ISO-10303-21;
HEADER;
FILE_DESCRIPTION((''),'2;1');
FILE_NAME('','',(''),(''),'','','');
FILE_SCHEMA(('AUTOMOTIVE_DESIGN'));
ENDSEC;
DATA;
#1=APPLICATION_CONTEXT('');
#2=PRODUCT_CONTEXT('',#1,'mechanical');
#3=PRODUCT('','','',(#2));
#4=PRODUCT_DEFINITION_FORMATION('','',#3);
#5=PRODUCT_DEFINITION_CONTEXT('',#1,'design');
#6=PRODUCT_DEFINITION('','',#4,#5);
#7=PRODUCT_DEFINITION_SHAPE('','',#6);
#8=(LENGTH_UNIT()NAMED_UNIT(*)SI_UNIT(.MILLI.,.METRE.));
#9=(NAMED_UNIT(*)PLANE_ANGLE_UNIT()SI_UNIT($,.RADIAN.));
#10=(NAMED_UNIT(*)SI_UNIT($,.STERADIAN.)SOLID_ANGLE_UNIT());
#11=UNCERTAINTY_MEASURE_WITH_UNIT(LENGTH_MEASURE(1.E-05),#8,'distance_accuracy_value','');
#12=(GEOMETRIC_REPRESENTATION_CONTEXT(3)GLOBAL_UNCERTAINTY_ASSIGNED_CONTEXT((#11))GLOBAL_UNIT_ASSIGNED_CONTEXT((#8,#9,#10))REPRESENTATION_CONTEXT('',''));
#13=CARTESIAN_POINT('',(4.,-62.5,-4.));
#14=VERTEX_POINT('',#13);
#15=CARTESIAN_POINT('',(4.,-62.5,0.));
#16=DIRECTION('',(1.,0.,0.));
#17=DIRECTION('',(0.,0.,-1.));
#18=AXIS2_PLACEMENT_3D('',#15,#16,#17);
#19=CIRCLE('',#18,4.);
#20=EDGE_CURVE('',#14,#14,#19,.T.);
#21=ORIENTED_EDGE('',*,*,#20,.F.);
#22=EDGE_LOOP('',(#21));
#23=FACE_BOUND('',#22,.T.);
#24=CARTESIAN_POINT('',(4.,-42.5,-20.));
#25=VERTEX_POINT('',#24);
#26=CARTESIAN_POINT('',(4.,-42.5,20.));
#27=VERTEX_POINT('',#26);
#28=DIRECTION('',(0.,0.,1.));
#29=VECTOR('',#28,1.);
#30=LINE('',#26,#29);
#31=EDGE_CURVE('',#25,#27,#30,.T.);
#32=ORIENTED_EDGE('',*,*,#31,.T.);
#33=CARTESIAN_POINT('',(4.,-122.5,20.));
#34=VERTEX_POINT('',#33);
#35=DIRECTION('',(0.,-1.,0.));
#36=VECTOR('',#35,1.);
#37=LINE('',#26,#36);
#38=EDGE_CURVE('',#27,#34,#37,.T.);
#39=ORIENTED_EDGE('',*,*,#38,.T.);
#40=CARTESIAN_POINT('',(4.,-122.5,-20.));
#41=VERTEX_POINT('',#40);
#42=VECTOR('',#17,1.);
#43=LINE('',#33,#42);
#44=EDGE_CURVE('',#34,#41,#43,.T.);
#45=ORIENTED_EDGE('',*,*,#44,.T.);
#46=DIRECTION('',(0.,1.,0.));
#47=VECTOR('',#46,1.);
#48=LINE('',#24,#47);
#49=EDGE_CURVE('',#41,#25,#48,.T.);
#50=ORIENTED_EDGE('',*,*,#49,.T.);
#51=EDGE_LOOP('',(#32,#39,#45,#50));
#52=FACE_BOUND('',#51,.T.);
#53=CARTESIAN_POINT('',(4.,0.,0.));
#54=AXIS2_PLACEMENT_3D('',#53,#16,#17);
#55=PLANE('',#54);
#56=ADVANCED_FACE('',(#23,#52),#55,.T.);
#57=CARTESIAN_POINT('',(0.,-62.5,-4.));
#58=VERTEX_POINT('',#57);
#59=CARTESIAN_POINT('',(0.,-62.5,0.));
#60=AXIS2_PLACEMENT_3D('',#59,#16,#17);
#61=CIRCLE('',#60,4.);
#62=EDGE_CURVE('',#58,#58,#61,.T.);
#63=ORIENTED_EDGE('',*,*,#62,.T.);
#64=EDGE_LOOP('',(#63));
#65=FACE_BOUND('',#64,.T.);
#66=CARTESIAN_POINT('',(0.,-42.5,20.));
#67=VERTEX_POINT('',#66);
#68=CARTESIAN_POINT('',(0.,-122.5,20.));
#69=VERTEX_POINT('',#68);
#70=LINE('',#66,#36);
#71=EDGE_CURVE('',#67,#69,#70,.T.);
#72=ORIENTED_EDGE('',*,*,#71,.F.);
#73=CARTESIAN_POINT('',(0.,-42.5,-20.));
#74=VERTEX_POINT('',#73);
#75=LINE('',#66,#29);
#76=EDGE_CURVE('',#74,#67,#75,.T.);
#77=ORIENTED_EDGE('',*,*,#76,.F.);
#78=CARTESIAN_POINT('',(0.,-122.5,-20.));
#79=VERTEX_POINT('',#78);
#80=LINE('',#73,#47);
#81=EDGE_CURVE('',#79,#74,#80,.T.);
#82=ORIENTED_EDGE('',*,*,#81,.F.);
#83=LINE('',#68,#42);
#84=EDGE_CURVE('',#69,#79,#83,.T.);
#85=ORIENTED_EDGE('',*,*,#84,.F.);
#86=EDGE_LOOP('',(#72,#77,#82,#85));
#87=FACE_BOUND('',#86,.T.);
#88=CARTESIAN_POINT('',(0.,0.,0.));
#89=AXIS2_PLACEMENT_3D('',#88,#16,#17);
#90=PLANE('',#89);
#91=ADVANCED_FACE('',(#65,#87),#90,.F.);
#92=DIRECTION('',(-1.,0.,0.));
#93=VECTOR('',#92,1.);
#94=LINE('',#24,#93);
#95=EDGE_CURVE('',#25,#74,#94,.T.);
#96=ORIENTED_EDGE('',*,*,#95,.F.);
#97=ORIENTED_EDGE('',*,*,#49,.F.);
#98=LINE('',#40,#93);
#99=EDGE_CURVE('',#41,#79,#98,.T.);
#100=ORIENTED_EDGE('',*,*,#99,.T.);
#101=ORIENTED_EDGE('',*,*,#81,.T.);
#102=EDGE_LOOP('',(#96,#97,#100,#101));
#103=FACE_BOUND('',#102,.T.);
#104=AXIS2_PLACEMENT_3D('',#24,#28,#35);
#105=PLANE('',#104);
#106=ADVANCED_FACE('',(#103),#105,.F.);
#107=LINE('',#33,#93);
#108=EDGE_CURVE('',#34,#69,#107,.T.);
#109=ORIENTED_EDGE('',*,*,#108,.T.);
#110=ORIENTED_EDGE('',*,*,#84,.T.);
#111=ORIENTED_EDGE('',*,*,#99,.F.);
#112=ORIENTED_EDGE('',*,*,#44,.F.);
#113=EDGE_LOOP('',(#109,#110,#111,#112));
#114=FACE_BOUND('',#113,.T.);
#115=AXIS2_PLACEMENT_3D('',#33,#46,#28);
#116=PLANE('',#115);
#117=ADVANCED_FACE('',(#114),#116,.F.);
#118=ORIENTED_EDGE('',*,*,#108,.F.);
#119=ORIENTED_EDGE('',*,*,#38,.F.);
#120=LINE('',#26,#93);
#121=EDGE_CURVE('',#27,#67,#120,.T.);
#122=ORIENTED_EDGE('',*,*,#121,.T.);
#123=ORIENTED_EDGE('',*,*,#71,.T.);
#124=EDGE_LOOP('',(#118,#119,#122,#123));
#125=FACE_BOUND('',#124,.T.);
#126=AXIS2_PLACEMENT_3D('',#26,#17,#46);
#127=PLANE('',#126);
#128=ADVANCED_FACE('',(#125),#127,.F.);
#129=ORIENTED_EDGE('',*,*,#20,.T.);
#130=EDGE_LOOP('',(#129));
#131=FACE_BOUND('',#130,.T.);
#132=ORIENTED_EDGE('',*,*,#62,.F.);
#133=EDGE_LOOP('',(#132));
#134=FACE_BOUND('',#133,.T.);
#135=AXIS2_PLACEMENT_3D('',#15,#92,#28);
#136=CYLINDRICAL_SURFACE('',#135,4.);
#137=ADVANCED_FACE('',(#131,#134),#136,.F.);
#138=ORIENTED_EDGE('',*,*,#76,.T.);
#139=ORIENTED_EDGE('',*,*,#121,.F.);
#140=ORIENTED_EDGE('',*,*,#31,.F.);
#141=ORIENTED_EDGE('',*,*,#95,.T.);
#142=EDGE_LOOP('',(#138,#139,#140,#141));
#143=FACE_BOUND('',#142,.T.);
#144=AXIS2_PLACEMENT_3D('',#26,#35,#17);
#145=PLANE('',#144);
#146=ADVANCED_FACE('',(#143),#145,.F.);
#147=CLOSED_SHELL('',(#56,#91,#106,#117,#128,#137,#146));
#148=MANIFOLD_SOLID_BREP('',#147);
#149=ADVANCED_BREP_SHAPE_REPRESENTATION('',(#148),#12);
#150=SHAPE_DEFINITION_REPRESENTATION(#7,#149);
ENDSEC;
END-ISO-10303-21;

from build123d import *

# Parameters (mm, degrees)
SKETCH1_W           = 40
SKETCH1_H           = 80
SKETCH1_R           = 4
BOSS_EXTRUDE1_DEPTH = 4


with BuildPart() as part:
    # Sketch1 → Boss-Extrude1 (new body)
    with BuildSketch(Plane(origin=(0, 0, 0), x_dir=(0, 0, -1), z_dir=(1, 0, 0))):
        with Locations((0, -82.5)):
            Rectangle(SKETCH1_W, SKETCH1_H)
        with Locations((0, -62.5)):
            Circle(SKETCH1_R, mode=Mode.SUBTRACT)
    extrude(amount=BOSS_EXTRUDE1_DEPTH)


solid = part.part
